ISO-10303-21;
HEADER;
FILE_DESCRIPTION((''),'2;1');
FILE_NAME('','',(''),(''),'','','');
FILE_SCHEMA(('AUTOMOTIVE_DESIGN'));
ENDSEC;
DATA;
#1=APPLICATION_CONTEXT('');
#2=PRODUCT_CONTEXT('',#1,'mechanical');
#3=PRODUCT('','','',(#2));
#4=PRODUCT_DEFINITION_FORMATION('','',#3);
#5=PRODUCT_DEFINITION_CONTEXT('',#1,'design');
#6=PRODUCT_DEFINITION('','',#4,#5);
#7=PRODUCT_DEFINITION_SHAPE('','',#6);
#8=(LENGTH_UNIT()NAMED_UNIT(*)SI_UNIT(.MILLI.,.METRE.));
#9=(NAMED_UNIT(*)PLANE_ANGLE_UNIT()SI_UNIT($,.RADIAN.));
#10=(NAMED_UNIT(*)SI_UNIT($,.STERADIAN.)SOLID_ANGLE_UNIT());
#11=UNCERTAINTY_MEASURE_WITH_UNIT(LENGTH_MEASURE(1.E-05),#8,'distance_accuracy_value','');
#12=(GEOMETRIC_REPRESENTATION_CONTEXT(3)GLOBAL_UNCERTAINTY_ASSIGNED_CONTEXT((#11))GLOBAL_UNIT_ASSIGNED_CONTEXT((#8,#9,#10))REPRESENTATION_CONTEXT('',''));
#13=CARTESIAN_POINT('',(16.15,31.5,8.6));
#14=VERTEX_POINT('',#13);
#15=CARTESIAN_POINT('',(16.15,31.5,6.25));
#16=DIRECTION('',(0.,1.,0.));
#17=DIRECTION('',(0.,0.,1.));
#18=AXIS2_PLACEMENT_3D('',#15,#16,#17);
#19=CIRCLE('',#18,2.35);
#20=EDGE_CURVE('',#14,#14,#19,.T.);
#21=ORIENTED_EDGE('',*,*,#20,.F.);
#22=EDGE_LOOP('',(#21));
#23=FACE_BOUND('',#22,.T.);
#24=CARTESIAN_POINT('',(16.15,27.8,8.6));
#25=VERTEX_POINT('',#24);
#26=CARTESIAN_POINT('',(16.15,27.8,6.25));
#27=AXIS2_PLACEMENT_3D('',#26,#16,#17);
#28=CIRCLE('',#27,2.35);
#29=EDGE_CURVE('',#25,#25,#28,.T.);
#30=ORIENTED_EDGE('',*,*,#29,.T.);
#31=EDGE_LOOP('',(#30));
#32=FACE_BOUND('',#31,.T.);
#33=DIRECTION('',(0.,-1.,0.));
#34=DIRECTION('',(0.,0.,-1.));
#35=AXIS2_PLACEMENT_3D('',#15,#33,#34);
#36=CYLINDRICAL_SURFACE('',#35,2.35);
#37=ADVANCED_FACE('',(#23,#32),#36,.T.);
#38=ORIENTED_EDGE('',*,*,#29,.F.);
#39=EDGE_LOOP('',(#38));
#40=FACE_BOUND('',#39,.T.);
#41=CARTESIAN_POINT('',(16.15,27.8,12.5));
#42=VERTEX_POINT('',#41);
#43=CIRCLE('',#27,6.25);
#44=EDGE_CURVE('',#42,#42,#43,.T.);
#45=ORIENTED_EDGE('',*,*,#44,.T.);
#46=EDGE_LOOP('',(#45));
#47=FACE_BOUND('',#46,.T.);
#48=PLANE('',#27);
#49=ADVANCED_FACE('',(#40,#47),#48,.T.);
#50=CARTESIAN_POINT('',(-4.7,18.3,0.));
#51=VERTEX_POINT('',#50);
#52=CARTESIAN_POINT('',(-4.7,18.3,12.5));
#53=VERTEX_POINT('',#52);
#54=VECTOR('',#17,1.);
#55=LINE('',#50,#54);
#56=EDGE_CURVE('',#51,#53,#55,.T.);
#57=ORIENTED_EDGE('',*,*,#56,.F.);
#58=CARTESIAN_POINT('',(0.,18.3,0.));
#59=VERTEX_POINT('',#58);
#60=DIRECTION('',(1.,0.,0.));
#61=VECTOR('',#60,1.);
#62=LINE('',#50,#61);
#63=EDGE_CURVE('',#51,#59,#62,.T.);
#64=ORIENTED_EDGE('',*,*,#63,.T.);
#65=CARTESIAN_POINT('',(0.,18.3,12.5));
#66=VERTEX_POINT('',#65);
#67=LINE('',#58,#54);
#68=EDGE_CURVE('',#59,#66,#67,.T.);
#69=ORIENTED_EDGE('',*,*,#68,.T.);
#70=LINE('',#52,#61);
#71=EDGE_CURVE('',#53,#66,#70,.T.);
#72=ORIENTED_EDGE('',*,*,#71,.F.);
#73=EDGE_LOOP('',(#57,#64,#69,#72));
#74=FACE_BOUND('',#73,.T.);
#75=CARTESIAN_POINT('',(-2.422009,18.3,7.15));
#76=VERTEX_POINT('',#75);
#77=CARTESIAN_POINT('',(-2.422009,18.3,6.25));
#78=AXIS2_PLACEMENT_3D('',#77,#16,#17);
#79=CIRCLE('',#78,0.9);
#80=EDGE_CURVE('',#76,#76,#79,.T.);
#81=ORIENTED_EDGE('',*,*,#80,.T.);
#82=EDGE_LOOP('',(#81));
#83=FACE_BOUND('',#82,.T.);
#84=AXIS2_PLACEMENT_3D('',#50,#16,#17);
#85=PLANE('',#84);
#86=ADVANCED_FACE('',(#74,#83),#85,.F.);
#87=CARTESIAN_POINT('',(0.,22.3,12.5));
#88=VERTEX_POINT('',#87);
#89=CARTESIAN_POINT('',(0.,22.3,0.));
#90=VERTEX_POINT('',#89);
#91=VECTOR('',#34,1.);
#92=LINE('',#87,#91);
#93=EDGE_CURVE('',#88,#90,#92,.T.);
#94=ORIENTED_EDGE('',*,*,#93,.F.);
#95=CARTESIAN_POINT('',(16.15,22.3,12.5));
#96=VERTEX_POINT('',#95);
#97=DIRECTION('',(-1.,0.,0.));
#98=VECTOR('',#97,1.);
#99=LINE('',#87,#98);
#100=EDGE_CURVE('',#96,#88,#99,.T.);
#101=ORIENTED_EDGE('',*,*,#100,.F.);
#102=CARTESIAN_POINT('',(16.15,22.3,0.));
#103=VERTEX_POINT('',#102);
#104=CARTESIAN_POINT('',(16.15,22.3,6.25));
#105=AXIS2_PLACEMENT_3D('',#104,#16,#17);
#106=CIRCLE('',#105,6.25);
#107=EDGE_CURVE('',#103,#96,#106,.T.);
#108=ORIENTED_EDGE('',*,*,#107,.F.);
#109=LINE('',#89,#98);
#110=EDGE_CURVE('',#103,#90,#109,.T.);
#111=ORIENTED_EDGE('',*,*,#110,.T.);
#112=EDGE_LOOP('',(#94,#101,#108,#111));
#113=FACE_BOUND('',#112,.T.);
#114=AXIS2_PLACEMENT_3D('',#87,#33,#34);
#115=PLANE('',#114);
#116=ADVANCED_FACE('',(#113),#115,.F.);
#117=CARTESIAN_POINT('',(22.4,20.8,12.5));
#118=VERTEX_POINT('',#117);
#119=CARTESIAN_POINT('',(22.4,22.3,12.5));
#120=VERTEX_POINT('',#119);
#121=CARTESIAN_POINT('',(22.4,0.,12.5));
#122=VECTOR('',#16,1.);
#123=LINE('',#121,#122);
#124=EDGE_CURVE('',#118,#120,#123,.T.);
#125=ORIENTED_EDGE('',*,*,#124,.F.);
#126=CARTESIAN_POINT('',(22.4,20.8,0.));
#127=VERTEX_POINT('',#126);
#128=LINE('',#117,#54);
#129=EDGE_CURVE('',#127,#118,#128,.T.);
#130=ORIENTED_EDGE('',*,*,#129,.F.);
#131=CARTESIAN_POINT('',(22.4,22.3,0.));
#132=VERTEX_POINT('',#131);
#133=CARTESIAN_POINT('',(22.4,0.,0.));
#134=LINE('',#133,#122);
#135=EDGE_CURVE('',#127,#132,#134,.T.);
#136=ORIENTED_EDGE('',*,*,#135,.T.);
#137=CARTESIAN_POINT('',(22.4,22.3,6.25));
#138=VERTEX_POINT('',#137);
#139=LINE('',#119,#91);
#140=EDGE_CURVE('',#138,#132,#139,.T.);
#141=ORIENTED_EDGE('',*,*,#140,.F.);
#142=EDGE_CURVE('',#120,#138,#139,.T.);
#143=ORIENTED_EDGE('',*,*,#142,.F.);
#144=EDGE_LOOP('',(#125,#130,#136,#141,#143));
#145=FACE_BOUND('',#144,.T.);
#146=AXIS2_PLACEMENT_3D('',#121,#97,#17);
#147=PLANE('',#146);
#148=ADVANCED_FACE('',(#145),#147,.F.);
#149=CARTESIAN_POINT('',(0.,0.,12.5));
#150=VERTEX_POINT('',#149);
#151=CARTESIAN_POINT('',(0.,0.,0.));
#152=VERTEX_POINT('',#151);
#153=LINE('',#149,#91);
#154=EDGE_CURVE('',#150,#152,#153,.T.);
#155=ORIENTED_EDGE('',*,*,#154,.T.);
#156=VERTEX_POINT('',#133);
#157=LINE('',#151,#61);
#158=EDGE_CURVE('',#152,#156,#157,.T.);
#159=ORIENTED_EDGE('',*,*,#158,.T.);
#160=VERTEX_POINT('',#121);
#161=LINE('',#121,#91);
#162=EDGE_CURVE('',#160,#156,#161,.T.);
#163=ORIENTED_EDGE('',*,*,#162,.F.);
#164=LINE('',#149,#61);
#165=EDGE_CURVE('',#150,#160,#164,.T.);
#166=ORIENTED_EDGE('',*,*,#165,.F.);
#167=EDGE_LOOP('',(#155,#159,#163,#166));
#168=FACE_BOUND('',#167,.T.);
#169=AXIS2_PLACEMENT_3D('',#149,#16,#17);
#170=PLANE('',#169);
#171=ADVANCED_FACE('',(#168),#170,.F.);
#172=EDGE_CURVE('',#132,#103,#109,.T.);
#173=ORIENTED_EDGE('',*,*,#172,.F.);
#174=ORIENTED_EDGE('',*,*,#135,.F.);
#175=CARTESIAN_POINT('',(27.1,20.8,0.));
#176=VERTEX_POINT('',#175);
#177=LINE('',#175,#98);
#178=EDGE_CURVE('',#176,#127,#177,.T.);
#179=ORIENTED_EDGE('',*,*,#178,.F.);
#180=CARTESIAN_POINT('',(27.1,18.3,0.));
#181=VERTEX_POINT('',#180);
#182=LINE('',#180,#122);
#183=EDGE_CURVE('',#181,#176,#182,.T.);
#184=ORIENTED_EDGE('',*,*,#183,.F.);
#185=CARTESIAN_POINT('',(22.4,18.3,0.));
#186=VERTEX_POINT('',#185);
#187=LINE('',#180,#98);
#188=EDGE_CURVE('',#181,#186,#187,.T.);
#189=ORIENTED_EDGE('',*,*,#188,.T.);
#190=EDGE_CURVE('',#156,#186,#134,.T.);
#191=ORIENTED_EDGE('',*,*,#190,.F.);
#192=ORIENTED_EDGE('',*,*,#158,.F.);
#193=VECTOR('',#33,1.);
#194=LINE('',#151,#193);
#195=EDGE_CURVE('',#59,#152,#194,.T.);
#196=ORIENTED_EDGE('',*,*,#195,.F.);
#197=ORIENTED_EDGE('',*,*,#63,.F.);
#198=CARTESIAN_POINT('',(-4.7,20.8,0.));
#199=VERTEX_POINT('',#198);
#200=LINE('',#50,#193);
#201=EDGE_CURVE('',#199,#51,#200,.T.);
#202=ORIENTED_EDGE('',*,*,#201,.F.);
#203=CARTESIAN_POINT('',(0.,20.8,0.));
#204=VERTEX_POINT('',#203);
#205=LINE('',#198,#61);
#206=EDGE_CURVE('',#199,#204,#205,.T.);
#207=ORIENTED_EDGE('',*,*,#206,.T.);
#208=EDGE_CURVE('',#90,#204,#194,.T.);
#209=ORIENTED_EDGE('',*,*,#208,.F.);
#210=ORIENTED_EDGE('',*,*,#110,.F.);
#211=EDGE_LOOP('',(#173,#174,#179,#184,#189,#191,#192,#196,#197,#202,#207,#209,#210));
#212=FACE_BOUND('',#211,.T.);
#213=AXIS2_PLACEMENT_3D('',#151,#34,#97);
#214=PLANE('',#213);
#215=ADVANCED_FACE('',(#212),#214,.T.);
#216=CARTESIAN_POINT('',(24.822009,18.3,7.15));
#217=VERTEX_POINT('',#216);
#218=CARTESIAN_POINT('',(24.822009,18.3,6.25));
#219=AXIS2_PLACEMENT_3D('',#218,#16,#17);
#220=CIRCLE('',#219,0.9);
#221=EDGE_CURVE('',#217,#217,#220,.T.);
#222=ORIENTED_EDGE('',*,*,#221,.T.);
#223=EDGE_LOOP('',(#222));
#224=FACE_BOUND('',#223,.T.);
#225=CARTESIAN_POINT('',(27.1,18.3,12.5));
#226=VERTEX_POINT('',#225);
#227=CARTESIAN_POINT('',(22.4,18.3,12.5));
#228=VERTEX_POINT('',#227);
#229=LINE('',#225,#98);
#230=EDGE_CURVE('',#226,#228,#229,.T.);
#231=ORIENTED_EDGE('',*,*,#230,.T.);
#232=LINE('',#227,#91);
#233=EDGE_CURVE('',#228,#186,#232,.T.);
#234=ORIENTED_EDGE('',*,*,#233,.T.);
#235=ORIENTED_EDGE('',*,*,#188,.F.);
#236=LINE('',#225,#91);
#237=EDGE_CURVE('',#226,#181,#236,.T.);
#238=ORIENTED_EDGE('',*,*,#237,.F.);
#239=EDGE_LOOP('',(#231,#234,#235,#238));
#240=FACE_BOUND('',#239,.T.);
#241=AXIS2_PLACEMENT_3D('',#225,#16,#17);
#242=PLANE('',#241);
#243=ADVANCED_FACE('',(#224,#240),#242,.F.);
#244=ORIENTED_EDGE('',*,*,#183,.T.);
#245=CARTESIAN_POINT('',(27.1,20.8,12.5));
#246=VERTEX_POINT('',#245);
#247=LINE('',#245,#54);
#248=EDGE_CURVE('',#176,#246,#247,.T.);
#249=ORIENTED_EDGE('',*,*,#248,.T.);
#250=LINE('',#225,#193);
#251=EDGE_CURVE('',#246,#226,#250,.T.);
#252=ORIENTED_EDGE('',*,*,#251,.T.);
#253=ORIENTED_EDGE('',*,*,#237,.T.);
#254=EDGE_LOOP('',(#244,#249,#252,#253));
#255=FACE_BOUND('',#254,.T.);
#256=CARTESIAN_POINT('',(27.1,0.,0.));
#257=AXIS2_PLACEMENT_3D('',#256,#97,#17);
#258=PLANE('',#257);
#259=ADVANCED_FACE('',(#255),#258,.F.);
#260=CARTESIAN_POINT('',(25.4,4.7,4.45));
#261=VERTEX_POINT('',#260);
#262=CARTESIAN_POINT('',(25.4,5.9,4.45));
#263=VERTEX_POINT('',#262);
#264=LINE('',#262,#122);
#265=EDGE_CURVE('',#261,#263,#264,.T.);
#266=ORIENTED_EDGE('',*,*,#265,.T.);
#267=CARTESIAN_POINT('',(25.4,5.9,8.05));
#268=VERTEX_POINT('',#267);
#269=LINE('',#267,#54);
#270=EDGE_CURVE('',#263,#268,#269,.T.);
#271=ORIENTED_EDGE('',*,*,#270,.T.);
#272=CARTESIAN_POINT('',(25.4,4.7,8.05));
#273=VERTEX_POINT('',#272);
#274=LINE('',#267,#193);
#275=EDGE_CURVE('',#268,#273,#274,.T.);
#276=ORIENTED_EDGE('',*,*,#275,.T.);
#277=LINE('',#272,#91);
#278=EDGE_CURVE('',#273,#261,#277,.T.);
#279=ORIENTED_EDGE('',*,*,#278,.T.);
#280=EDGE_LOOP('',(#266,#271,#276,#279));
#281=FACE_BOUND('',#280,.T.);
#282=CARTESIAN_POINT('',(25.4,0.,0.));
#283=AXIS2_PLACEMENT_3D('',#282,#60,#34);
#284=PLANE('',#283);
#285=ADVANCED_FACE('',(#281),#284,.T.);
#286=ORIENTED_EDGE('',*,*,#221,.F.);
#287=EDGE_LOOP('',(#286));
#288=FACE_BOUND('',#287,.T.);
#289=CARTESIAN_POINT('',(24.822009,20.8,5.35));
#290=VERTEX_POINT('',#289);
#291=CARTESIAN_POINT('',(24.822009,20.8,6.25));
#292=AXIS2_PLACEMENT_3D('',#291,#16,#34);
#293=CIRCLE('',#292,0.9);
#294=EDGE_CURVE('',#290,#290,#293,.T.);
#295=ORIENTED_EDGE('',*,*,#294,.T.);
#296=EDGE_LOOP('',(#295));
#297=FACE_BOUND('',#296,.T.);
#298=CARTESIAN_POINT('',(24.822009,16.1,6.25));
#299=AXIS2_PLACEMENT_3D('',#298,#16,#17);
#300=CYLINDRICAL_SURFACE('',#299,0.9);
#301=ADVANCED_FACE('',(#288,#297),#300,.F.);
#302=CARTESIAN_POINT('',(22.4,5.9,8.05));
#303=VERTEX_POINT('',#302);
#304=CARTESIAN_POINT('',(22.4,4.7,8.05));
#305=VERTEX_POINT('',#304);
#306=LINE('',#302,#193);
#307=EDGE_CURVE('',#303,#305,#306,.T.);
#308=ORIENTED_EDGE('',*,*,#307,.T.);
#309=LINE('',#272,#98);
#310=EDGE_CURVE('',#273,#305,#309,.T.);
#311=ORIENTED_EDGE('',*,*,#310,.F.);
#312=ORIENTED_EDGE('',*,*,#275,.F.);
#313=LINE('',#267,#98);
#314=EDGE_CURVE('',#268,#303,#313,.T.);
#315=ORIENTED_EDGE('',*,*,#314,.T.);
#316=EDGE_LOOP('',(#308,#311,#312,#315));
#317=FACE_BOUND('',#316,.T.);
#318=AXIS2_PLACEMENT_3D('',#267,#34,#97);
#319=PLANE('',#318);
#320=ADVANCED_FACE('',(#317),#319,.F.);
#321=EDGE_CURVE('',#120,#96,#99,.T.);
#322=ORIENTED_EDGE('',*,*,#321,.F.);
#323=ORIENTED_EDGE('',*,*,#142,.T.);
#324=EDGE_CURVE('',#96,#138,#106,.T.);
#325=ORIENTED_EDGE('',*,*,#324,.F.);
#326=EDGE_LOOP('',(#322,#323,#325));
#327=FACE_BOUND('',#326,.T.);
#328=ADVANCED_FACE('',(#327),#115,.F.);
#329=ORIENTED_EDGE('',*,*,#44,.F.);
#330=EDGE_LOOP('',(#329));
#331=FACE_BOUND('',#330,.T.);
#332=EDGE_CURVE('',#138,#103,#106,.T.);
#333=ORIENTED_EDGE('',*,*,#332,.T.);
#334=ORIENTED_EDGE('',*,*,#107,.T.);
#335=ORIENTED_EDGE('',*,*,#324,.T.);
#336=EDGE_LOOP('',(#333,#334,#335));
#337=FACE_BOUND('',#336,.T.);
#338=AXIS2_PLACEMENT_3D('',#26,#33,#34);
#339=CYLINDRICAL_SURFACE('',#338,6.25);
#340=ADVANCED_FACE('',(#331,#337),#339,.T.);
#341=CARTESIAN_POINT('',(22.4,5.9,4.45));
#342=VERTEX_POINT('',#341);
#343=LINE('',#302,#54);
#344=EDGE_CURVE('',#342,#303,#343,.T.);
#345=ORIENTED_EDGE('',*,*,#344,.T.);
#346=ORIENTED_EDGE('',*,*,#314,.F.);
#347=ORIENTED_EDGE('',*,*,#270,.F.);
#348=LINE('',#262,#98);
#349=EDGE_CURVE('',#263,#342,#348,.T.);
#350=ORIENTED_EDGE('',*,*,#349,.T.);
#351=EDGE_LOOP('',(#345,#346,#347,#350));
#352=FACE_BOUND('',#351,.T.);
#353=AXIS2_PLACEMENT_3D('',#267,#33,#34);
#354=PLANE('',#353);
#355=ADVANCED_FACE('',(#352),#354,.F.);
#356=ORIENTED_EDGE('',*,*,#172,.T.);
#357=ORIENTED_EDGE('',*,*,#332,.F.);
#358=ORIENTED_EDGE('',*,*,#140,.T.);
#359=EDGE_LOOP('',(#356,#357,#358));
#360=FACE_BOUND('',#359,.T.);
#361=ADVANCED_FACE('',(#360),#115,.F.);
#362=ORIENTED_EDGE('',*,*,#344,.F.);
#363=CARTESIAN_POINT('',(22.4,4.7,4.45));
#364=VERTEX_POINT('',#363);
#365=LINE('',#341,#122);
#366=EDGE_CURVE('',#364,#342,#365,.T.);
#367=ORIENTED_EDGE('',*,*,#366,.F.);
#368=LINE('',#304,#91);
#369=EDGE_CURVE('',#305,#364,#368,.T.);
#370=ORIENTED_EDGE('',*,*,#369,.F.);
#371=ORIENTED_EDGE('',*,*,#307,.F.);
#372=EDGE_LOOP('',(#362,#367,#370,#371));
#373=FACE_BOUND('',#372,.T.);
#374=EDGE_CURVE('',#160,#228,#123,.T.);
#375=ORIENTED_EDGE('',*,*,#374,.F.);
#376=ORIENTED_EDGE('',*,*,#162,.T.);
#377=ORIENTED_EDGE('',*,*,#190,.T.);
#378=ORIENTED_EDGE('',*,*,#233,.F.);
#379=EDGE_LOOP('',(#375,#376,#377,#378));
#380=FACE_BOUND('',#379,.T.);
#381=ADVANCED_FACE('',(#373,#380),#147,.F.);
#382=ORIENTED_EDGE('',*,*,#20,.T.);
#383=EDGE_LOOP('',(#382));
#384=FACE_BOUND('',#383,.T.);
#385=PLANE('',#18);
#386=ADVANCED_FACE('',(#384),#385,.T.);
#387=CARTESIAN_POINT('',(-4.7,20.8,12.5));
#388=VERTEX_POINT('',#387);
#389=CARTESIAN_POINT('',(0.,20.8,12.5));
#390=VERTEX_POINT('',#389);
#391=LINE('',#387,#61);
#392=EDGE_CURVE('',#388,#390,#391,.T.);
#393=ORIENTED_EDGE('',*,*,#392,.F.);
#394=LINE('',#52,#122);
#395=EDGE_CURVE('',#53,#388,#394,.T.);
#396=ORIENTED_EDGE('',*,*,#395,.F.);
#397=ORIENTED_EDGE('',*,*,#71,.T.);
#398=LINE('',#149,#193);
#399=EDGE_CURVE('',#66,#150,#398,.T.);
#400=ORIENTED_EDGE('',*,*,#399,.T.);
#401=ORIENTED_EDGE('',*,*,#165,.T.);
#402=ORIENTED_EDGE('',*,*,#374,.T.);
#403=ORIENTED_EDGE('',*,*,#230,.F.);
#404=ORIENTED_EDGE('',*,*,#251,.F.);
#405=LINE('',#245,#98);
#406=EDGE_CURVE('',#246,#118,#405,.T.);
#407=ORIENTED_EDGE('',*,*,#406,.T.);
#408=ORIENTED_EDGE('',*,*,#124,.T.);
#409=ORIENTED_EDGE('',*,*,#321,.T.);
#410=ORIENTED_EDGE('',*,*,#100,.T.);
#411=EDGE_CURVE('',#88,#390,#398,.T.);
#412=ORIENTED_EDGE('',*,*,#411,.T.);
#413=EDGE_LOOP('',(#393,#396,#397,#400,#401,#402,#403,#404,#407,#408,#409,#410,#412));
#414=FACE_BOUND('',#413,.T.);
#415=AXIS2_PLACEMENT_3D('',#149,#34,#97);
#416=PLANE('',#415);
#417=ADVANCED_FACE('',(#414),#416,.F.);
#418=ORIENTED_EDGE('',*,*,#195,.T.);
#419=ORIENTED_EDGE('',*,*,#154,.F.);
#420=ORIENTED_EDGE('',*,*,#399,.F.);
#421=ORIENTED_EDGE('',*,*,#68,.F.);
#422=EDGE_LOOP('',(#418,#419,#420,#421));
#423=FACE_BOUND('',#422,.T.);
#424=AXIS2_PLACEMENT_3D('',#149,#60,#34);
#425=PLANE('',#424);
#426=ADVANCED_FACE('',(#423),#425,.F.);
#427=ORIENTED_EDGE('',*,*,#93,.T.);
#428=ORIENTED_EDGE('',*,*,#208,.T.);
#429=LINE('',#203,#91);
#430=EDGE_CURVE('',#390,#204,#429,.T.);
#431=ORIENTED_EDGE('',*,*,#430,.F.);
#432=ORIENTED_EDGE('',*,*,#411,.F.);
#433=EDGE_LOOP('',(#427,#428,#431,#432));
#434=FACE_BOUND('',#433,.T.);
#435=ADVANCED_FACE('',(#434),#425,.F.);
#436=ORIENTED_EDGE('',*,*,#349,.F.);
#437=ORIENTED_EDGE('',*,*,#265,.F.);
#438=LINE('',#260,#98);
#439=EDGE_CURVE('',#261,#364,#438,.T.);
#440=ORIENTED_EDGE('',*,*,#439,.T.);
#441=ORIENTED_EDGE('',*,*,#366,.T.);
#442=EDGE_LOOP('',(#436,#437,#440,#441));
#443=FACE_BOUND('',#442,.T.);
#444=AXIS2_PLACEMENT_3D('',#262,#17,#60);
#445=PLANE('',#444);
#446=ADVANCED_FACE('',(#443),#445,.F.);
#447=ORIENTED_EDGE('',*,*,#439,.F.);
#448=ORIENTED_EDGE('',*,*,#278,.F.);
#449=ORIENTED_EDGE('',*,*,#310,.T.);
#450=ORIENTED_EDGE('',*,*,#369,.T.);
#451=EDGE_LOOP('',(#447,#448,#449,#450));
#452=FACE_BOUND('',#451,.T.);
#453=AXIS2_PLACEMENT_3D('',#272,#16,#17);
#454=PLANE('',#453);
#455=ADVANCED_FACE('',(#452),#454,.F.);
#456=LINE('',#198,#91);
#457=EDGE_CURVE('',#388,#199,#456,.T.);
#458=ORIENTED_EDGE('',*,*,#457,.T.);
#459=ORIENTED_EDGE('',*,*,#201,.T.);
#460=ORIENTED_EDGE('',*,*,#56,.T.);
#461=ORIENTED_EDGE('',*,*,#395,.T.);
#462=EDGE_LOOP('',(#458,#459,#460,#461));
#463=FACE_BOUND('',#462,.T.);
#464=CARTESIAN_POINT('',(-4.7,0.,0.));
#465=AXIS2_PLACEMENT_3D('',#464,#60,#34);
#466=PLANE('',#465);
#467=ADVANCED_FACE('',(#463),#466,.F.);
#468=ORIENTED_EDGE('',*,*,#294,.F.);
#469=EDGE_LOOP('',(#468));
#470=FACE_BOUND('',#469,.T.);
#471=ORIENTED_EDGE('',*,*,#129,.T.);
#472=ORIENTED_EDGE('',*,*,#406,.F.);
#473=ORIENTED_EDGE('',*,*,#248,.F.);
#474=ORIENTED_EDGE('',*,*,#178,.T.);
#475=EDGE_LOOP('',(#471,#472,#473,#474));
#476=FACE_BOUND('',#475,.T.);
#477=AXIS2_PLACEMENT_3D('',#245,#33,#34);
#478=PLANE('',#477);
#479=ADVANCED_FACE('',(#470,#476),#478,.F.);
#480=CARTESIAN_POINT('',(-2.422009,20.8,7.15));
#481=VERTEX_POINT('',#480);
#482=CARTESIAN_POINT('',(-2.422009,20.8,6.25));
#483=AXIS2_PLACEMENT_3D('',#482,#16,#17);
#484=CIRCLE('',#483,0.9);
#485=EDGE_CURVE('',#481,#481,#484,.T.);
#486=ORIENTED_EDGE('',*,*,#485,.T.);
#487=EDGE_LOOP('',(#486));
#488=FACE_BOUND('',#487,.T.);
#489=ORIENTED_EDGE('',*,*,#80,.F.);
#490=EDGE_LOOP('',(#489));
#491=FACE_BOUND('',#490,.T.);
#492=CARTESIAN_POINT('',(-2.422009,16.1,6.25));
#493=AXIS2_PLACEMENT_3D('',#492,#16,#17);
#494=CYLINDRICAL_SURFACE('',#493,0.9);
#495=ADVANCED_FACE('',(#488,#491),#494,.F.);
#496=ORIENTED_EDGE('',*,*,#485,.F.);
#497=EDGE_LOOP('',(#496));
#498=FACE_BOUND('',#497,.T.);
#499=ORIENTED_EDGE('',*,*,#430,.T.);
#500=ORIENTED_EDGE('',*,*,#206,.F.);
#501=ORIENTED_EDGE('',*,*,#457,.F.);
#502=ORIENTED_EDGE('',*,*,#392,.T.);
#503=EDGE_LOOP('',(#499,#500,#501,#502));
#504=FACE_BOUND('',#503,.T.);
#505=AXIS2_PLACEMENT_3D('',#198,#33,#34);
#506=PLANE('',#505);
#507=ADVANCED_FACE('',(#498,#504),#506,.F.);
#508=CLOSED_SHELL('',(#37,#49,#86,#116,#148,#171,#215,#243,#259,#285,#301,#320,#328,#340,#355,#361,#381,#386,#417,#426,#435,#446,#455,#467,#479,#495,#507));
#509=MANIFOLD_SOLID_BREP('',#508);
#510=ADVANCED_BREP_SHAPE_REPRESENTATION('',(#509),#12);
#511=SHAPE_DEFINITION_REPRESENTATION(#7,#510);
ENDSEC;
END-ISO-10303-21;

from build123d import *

# Parameters (mm, degrees)
SKETCH_1_W          = 22.4
SKETCH_1_H          = 22.3
EXTRUDE_1_DEPTH     = 12.5
SKETCH_5_R          = 6.25
EXTRUDE_4_DEPTH     = 5.5
SKETCH_6_R          = 2.35
EXTRUDE_5_DEPTH     = 3.7
SKETCH_10_W         = 12.5
SKETCH_10_H         = 2.5
EXTRUDE_8_DEPTH     = 4.7
SKETCH_11_W         = 12.5
SKETCH_11_H         = 2.5
EXTRUDE_9_DEPTH     = 4.7
SKETCH_12_R         = 0.9
CUT_EXTRUDE_2_DEPTH = 4.7
SKETCH_13_W         = 3.6
SKETCH_13_H         = 1.2
EXTRUDE_10_DEPTH    = 3


with BuildPart() as part:
    # 草图1 → 凸台-拉伸1 (new body)
    with BuildSketch(Plane.XY):
        with Locations((11.2, 11.15)):
            Rectangle(SKETCH_1_W, SKETCH_1_H)
    extrude(amount=EXTRUDE_1_DEPTH)

    # 草图5 → 凸台-拉伸4 (add)
    with BuildSketch(Plane(origin=(0, 22.3, 0), x_dir=(1, 0, 0), z_dir=(0, 1, 0))):
        with Locations(Location((16.15, -6.25, 0), (0, 0, 270))):
            Circle(SKETCH_5_R)
    extrude(amount=EXTRUDE_4_DEPTH)

    # 草图6 → 凸台-拉伸5 (add)
    with BuildSketch(Plane(origin=(0, 27.8, 0), x_dir=(1, 0, 0), z_dir=(0, 1, 0))):
        with Locations(Location((16.15, -6.25, 0), (0, 0, 270))):
            Circle(SKETCH_6_R)
    extrude(amount=EXTRUDE_5_DEPTH)

    # 草图10 → 凸台-拉伸8 (add)
    with BuildSketch(Plane(origin=(22.4, 0, 0), x_dir=(0, 0, -1), z_dir=(1, 0, 0))):
        with Locations((-6.25, 19.55)):
            Rectangle(SKETCH_10_W, SKETCH_10_H)
    extrude(amount=EXTRUDE_8_DEPTH)

    # 草图11 → 凸台-拉伸9 (add)
    with BuildSketch(Plane.ZY):
        with Locations((6.25, 19.55)):
            Rectangle(SKETCH_11_W, SKETCH_11_H)
    extrude(amount=EXTRUDE_9_DEPTH)

    # 草图12 → 切除-拉伸2 (cut)
    with BuildSketch(Plane(origin=(0, 20.8, 0), x_dir=(1, 0, 0), z_dir=(0, 1, 0))):
        with Locations(Location((-2.422009123, -6.25, 0), (0, 0, 270))):
            Circle(SKETCH_12_R)
        with Locations(Location((24.822009123, -6.25, 0), (0, 0, 270))):
            Circle(SKETCH_12_R)
    extrude(amount=-CUT_EXTRUDE_2_DEPTH, mode=Mode.SUBTRACT)

    # 草图13 → 凸台-拉伸10 (add)
    with BuildSketch(Plane(origin=(22.4, 0, 0), x_dir=(0, 0, -1), z_dir=(1, 0, 0))):
        with Locations((-6.25, 5.3)):
            Rectangle(SKETCH_13_W, SKETCH_13_H)
    extrude(amount=EXTRUDE_10_DEPTH)


solid = part.part
